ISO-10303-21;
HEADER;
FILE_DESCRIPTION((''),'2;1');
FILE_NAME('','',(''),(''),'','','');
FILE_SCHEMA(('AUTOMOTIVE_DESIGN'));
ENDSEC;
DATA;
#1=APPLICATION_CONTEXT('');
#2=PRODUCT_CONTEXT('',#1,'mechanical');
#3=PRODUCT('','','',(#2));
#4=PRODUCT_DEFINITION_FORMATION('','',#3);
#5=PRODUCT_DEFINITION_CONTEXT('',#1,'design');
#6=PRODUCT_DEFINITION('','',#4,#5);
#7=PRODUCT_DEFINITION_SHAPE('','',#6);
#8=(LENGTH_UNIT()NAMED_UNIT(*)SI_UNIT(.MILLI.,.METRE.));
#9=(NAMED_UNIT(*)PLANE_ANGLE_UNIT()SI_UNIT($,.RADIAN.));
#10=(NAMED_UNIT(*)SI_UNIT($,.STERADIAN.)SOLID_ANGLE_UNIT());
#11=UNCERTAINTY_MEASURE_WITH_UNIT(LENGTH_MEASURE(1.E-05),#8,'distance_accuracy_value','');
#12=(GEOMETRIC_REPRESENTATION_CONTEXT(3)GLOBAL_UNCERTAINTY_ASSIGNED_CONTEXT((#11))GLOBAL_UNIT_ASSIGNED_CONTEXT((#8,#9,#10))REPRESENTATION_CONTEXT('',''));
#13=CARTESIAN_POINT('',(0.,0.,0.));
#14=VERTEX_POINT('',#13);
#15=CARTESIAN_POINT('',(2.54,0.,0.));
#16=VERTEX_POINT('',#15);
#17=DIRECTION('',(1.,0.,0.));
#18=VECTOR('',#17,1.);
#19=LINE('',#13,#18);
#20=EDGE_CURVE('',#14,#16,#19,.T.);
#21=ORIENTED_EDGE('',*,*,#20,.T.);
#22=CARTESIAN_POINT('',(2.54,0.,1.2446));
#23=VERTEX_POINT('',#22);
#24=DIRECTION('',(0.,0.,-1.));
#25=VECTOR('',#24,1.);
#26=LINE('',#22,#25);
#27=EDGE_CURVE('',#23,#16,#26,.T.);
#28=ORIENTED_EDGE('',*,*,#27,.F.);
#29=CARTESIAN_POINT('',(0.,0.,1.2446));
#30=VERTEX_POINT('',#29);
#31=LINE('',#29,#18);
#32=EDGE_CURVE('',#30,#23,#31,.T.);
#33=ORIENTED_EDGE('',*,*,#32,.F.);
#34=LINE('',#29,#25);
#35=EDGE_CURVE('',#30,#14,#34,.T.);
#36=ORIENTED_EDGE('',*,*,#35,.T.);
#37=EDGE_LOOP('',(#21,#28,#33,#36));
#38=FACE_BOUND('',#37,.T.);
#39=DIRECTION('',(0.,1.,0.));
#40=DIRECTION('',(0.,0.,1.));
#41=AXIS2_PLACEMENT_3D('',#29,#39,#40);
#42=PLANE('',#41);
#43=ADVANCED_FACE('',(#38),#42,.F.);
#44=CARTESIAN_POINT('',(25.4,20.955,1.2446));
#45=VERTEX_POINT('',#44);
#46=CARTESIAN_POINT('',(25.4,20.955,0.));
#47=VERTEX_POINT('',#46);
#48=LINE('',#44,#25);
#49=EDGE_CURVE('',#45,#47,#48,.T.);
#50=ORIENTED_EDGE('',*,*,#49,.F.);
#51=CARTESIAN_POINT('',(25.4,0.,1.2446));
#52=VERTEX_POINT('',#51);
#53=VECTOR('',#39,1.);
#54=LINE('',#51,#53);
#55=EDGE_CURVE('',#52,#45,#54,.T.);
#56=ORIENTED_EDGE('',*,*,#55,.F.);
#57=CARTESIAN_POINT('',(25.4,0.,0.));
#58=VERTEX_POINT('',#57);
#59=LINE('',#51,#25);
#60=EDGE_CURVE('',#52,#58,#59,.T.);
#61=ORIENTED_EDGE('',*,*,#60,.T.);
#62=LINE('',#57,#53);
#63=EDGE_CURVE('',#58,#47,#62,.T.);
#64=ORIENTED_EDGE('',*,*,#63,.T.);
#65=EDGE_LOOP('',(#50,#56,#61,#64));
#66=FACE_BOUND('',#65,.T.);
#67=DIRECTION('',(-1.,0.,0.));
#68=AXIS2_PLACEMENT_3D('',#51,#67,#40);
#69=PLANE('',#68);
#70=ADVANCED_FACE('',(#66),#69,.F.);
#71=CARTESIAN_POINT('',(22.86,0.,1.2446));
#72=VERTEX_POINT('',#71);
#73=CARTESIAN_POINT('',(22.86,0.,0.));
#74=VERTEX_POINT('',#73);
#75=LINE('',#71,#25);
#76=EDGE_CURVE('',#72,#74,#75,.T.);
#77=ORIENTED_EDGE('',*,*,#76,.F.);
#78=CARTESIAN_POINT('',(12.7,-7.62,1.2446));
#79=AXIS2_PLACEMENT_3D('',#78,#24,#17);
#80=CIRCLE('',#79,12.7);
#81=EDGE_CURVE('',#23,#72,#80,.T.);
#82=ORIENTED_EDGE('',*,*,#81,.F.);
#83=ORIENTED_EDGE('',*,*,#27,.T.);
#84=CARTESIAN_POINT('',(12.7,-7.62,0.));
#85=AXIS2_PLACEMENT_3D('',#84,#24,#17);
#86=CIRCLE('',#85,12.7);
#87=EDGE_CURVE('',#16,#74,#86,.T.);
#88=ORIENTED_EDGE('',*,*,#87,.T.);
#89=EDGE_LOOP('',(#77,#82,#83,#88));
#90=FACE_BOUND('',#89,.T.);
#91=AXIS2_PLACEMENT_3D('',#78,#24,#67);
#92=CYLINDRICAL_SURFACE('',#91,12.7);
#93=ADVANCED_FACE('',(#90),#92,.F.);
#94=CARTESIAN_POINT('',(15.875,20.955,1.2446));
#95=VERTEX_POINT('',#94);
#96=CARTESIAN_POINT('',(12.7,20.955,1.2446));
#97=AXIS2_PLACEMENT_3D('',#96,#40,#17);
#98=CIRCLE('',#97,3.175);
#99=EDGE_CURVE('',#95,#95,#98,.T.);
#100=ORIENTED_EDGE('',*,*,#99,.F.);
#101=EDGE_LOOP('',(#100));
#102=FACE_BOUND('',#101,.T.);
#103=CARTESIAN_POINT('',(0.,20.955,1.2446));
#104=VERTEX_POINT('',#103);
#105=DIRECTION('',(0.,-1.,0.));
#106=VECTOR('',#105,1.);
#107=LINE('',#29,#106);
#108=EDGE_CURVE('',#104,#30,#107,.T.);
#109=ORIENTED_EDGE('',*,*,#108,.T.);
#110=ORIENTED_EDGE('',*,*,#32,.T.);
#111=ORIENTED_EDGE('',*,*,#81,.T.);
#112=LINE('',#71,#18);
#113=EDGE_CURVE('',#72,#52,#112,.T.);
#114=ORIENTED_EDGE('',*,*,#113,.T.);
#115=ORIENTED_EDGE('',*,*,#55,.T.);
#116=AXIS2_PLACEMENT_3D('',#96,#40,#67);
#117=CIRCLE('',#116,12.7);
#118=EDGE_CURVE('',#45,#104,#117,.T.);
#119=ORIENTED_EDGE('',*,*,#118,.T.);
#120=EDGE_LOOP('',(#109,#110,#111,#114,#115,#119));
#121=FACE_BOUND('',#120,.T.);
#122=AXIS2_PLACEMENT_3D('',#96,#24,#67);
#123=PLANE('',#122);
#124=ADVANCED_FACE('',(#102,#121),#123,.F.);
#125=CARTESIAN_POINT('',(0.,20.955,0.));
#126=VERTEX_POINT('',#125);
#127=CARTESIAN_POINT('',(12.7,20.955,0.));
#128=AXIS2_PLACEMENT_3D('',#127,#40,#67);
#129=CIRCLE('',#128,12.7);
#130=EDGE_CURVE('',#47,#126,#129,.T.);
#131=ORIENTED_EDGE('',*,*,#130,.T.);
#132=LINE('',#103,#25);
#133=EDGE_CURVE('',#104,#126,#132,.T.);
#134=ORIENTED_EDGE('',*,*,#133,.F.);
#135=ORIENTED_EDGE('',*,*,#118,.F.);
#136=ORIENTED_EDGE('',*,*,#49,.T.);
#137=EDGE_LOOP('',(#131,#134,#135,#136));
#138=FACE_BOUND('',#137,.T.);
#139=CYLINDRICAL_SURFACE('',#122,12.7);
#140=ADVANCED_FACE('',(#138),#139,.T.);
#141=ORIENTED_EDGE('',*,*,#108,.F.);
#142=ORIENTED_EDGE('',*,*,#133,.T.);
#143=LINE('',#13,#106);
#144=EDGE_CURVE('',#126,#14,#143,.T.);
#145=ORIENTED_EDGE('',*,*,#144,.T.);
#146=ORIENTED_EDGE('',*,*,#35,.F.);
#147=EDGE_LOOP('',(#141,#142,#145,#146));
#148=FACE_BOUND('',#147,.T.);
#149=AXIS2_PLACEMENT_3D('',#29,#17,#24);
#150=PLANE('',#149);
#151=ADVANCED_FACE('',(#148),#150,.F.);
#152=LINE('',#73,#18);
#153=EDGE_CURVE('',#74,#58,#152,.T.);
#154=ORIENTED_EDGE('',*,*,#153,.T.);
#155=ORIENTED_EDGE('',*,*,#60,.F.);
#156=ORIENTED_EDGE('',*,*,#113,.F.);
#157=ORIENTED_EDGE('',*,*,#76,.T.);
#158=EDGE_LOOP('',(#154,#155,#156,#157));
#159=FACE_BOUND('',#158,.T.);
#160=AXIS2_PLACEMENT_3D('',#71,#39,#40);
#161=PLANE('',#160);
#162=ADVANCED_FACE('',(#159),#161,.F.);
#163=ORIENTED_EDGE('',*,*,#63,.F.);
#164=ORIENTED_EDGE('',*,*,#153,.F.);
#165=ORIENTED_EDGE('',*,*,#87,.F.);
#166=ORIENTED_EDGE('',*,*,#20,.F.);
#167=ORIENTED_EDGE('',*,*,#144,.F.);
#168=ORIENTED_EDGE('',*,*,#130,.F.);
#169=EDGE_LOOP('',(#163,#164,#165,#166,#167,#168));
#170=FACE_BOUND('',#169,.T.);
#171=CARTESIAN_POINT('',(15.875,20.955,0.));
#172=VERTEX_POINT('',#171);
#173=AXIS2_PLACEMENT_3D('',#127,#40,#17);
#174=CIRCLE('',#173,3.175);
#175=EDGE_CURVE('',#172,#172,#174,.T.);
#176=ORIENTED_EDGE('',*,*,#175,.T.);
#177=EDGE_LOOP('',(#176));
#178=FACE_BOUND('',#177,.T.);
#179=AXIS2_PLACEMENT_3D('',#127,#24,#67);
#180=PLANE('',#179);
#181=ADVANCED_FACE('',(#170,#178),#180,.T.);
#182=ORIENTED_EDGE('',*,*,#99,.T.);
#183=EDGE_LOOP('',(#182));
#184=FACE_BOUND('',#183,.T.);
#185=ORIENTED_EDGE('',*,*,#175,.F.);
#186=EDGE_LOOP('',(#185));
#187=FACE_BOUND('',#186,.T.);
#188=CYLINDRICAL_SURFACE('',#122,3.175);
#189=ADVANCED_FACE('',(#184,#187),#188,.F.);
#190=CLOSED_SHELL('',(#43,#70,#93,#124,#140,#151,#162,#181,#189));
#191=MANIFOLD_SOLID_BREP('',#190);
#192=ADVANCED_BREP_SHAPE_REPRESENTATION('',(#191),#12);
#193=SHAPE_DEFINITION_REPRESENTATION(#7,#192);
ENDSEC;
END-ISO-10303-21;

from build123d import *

# Parameters (mm, degrees)
SKETCH1_R           = 3.175
BOSS_EXTRUDE1_DEPTH = 1.2446


with BuildPart() as part:
    # Sketch1 → Boss-Extrude1 (new body)
    with BuildSketch(Plane.XY):
        with BuildLine():
            Line((0, 0), (2.54, 0))
            ThreePointArc((2.54, 0), (12.7, 5.08), (22.86, 0))
            Line((22.86, 0), (25.4, 0))
            Line((25.4, 0), (25.4, 20.955))
            ThreePointArc((25.4, 20.955), (12.7, 33.655), (0, 20.955))
            Line((0, 20.955), (0, 0))
        make_face()
        with Locations((12.7, 20.955)):
            Circle(SKETCH1_R, mode=Mode.SUBTRACT)
    extrude(amount=BOSS_EXTRUDE1_DEPTH)


solid = part.part
